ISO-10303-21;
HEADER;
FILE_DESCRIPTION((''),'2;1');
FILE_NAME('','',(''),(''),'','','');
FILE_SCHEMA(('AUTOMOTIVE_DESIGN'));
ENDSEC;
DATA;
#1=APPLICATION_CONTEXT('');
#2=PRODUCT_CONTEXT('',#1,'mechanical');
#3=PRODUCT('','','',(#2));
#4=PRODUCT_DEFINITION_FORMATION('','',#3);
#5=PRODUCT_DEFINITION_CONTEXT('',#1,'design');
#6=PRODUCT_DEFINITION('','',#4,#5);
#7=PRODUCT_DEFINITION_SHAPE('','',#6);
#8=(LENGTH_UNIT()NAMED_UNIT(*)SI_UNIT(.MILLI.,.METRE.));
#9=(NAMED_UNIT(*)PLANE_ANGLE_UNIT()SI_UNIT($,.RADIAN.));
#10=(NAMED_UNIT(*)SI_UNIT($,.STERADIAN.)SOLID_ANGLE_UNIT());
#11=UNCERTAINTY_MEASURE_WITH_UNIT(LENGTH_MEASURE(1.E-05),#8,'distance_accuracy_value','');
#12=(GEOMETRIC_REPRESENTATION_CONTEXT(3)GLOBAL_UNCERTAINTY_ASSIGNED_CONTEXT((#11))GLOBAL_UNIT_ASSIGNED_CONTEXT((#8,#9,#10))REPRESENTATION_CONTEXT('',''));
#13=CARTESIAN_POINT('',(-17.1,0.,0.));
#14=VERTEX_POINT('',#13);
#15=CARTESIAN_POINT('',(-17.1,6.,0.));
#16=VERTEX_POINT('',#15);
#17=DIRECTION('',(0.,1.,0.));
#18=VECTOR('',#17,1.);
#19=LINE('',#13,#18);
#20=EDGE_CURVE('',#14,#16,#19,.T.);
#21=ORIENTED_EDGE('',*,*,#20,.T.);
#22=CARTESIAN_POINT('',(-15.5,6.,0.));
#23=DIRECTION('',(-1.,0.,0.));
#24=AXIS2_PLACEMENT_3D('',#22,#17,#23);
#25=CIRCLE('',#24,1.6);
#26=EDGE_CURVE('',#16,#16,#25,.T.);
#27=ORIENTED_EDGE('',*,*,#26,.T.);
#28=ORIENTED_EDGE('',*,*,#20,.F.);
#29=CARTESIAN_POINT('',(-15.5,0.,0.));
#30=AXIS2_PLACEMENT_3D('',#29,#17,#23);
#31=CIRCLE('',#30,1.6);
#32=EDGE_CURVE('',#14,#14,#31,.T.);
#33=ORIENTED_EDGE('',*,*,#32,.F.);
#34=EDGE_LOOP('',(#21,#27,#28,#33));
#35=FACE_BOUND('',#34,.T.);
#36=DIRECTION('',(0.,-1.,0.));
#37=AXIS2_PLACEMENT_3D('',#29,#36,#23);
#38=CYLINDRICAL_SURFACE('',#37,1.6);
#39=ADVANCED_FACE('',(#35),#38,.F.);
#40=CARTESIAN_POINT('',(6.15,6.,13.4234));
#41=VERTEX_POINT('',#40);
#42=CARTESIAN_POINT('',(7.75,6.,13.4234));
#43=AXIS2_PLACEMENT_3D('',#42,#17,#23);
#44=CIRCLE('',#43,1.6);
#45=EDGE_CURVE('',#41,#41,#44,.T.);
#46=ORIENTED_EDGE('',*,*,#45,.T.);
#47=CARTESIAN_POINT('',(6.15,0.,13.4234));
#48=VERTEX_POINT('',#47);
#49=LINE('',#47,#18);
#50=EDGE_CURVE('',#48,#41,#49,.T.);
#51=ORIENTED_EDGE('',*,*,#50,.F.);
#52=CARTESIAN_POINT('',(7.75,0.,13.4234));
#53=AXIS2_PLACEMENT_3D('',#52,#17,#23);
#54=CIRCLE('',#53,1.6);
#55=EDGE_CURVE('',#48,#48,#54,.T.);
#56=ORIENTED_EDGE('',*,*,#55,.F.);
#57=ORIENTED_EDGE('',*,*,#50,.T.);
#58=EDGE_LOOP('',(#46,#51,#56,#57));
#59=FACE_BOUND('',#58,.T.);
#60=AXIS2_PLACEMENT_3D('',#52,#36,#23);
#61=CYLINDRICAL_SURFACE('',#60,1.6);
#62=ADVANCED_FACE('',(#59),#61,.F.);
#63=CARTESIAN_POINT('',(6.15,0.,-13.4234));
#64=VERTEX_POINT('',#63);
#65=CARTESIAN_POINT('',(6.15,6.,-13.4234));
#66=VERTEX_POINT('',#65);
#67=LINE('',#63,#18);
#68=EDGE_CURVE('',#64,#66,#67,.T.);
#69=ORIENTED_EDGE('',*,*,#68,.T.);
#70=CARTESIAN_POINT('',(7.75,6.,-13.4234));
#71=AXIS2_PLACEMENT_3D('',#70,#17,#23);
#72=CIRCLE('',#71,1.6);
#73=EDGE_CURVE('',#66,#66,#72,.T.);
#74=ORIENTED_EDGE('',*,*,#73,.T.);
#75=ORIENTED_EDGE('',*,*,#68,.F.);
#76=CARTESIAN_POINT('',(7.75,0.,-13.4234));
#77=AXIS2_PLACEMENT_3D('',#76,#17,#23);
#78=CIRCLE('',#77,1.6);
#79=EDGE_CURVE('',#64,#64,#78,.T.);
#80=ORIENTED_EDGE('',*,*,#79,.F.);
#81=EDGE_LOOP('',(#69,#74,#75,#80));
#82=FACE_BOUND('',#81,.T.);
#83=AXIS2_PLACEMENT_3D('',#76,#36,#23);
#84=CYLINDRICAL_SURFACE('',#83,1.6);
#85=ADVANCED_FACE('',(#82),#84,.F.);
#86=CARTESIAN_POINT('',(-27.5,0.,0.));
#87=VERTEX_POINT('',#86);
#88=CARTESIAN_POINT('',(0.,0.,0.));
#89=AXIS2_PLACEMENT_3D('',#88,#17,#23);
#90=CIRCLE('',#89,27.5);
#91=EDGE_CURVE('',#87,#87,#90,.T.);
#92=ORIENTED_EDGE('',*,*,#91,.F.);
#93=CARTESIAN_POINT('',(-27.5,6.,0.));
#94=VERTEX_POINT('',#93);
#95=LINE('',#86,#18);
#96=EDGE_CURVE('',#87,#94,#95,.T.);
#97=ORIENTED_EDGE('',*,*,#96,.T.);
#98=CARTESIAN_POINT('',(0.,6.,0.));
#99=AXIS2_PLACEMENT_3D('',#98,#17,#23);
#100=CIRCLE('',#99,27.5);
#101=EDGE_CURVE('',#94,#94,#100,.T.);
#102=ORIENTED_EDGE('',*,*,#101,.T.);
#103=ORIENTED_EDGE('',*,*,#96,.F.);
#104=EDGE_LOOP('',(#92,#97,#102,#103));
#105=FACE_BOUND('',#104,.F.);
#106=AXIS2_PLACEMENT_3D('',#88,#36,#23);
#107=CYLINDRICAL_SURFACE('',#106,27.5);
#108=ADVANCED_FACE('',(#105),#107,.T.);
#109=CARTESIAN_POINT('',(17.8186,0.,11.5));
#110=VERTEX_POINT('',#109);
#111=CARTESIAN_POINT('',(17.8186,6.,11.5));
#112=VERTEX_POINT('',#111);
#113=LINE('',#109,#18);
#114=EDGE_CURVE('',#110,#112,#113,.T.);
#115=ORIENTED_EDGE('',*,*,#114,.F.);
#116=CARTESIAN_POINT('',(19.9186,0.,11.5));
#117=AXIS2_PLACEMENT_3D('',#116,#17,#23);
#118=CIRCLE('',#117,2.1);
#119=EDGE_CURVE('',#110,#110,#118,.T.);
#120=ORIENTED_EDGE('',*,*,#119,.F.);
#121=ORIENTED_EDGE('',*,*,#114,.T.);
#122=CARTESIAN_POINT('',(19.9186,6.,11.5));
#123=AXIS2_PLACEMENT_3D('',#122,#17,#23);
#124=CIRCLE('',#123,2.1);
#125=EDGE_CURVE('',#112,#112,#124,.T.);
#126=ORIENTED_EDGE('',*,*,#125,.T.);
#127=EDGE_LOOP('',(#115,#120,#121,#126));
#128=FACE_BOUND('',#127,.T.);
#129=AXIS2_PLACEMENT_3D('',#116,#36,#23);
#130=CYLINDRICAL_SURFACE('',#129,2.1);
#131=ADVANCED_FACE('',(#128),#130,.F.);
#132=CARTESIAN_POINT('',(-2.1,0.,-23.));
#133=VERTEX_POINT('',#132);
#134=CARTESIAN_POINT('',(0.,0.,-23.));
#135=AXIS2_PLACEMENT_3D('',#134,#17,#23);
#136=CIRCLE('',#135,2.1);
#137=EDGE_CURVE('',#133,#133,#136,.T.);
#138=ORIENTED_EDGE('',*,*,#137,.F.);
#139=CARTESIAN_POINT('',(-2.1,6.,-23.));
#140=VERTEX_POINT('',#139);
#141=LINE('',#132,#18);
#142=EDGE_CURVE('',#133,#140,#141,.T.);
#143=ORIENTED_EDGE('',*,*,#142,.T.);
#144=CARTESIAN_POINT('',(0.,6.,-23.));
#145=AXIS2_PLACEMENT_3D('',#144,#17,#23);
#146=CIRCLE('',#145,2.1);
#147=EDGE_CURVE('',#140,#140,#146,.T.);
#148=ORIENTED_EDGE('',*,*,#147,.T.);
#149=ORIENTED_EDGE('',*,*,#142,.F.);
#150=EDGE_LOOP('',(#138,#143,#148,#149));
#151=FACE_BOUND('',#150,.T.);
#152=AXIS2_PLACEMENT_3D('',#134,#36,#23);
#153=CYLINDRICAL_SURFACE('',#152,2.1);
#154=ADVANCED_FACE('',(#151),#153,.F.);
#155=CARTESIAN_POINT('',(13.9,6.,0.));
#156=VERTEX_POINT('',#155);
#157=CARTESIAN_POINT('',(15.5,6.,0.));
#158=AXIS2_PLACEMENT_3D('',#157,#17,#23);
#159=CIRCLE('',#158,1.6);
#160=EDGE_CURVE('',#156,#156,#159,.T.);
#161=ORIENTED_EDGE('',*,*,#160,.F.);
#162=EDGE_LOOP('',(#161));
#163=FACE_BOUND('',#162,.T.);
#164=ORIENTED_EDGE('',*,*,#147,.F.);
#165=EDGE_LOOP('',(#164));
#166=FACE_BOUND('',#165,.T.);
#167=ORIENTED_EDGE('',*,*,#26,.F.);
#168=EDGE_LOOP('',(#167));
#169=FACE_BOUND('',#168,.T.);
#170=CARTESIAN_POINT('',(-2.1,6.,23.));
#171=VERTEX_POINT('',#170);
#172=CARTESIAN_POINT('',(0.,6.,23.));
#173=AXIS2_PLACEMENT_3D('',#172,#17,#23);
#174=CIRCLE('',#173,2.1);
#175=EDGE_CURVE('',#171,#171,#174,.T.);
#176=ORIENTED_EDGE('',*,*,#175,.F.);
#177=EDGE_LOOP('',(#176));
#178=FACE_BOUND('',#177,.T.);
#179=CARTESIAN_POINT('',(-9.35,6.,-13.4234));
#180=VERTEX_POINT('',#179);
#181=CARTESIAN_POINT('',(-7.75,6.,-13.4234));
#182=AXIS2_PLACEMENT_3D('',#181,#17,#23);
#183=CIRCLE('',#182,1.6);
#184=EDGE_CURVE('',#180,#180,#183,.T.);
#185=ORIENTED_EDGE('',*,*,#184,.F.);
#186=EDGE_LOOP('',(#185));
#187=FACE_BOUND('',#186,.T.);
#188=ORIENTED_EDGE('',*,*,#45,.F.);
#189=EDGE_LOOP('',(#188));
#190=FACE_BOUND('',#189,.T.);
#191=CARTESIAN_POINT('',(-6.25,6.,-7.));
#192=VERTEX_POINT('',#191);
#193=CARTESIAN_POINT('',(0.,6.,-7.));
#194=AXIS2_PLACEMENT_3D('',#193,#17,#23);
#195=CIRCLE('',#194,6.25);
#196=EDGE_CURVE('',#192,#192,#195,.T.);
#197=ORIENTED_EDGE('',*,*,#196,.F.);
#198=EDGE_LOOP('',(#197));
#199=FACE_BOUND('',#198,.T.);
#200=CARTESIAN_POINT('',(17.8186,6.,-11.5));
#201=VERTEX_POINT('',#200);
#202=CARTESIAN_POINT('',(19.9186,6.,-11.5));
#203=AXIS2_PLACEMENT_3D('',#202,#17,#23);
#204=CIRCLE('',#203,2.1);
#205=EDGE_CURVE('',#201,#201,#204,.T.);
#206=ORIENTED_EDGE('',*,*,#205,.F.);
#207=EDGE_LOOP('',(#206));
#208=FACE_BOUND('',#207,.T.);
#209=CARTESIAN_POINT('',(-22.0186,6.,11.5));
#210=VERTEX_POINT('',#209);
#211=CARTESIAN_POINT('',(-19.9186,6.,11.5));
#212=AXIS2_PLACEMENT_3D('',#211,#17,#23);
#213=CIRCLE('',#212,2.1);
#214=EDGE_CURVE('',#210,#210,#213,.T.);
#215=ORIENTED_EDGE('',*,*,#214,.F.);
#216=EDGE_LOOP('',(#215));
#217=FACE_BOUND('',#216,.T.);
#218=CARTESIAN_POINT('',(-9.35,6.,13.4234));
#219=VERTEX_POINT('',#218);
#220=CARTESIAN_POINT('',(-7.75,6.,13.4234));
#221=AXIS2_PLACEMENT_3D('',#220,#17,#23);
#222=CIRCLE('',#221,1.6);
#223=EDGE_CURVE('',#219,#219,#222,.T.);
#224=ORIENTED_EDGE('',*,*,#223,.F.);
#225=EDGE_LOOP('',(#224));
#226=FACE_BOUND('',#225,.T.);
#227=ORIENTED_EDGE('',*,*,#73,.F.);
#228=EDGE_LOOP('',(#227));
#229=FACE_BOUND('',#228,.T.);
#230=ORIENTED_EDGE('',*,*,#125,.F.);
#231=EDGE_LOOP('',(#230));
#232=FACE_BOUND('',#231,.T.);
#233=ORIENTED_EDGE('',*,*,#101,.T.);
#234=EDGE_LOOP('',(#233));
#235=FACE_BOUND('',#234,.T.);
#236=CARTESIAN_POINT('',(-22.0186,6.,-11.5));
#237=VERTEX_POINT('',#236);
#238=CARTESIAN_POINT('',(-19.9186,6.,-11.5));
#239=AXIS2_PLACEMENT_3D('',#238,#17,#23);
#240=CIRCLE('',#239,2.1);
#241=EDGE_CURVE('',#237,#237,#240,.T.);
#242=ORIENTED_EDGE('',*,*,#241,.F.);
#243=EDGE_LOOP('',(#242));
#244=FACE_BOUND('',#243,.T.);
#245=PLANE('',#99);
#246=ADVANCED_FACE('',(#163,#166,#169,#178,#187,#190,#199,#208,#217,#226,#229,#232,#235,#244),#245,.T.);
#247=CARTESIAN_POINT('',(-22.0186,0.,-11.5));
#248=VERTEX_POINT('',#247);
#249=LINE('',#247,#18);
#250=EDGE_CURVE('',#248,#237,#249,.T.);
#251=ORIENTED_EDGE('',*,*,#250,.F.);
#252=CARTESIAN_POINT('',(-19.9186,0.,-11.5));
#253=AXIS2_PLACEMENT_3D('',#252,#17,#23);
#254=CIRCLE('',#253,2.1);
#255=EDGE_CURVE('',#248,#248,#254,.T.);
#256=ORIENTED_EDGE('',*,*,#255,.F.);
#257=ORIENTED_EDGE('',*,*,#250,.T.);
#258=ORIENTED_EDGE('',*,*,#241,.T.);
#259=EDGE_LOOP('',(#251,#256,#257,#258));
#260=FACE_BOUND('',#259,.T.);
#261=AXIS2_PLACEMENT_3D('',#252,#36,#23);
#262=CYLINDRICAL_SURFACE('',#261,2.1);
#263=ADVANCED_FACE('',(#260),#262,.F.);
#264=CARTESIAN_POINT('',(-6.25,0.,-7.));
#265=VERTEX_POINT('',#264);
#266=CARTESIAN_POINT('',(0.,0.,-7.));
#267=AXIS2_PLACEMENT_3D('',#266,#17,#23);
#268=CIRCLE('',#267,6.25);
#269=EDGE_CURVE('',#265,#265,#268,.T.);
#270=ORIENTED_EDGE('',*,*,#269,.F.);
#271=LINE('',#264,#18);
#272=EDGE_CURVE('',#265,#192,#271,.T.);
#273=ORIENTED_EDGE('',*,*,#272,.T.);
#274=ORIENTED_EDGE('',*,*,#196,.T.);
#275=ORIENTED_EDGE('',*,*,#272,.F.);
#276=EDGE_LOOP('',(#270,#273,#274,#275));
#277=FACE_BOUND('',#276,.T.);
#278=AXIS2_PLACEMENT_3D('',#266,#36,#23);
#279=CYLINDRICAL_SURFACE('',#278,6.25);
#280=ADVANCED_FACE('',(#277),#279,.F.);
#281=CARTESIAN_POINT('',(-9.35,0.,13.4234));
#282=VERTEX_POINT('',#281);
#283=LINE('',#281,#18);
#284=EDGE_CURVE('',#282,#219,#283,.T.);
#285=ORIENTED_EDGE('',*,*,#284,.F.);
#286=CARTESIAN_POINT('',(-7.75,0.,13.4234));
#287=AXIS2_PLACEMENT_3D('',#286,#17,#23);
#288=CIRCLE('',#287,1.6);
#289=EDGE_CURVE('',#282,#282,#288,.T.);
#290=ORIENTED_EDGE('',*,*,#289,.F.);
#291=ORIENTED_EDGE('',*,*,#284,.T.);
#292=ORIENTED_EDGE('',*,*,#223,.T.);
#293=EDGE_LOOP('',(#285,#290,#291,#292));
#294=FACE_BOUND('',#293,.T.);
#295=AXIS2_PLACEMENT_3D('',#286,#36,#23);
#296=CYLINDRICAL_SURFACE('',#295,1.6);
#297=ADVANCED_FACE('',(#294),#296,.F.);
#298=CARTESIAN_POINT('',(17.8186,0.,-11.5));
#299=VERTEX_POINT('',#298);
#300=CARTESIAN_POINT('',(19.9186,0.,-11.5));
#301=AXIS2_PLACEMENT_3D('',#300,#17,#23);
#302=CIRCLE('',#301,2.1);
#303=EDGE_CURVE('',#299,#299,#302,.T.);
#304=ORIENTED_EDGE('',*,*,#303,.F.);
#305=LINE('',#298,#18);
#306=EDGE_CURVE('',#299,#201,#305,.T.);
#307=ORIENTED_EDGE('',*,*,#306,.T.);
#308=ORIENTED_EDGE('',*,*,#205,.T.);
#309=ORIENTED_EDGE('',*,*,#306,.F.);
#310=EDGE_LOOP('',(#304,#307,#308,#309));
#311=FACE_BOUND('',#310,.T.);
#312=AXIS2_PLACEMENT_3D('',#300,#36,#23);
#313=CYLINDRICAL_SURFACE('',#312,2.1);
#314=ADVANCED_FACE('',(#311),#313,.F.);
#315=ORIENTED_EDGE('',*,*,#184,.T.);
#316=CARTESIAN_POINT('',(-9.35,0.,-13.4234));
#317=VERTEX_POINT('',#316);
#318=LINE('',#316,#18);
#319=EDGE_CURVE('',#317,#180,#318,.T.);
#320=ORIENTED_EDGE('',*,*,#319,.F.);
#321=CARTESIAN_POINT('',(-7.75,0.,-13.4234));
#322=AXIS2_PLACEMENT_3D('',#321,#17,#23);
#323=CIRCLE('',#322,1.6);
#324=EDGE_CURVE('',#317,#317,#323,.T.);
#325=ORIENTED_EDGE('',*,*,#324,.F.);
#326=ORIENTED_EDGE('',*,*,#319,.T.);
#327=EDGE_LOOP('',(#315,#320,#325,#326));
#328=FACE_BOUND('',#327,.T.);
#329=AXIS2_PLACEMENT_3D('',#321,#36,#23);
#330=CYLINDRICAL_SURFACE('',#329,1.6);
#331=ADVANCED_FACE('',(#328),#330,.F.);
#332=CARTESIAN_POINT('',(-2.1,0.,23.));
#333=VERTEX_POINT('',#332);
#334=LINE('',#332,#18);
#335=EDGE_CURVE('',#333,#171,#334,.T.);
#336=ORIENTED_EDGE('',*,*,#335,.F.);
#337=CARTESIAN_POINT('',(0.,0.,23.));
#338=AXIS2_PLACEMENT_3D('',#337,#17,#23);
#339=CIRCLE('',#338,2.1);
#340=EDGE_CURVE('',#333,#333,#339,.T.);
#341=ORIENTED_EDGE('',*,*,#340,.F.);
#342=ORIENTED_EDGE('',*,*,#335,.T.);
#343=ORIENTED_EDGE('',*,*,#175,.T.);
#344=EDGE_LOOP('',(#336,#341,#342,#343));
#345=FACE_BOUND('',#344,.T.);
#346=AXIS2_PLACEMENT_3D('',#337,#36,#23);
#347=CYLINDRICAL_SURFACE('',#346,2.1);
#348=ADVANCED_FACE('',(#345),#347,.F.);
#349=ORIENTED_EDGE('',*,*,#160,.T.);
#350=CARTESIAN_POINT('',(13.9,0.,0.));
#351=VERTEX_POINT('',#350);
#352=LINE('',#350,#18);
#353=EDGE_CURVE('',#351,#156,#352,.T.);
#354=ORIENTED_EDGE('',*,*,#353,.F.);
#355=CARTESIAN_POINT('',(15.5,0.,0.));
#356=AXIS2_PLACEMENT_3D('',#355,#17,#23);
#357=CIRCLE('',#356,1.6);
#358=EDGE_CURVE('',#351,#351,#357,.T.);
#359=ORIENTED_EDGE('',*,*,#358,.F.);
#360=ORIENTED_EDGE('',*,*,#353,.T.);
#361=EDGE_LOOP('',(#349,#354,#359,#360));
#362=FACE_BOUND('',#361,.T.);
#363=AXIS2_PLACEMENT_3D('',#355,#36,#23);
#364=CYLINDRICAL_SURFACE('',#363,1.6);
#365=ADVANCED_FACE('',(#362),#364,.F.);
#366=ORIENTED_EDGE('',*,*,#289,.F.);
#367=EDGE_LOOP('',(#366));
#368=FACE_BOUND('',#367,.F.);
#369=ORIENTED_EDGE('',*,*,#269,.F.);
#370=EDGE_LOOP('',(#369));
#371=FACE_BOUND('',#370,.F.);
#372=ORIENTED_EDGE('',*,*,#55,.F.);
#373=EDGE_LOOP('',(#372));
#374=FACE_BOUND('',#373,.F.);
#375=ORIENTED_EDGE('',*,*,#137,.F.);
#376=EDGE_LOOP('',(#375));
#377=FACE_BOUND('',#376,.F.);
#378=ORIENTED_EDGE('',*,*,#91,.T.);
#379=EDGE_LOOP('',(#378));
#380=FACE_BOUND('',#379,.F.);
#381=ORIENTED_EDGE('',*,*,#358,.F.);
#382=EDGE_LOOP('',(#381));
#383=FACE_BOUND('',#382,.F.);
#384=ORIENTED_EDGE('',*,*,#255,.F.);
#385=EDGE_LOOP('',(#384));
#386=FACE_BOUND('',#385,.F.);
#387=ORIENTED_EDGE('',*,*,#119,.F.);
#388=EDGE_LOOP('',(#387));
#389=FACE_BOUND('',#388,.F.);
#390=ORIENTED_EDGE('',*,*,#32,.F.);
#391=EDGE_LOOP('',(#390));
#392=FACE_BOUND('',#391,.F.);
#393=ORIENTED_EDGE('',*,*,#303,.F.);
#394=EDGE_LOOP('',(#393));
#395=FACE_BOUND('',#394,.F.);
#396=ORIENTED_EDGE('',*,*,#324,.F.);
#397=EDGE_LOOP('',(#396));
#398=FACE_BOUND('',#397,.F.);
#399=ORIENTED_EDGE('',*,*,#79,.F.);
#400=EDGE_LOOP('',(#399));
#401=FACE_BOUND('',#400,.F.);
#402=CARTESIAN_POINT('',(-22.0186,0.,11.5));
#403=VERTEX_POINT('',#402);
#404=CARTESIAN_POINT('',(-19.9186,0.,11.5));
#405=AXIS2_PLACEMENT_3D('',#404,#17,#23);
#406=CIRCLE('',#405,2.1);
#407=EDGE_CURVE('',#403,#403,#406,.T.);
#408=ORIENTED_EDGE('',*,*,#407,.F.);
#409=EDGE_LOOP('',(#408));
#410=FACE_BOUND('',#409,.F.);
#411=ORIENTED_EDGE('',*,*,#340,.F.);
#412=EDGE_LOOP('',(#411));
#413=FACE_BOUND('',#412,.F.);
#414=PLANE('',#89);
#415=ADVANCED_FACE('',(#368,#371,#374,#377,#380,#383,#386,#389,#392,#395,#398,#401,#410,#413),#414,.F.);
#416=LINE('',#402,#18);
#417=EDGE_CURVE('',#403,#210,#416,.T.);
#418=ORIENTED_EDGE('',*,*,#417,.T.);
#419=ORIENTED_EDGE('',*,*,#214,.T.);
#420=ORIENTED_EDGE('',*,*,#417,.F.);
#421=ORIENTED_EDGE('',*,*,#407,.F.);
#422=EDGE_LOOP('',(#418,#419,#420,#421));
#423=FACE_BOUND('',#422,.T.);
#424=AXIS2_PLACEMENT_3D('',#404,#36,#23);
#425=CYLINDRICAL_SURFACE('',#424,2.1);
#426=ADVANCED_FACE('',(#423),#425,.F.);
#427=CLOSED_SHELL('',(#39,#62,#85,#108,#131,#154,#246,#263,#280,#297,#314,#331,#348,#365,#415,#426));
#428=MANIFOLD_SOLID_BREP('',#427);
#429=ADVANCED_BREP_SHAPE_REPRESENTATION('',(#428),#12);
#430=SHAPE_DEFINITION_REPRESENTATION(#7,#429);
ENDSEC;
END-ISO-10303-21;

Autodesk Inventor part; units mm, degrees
ref_plane "YZ Plane" through (0, 0, 0) normal (1, 0, 0) x (0, 1, 0)
ref_plane "XZ Plane" through (0, 0, 0) normal (0, 1, 0) x (-1, 0, 0)
ref_plane "XY Plane" through (0, 0, 0) normal (0, 0, 1) x (1, 0, 0)
sketch "Sketch1" plane through (0, 0, 0) normal (0, 1, 0) x (-1, 0, 0)
  circle A0 centre (0, 0) radius 27.5
  circle A1 centre (0, -7) radius 6.25
  circle A2 centre (15.5, 0) radius 1.6
  circle A3 centre (7.75, 13.4234) radius 1.6
  circle A4 centre (-7.75, 13.4234) radius 1.6
  circle A5 centre (-15.5, 0) radius 1.6
  circle A6 centre (-7.75, -13.4234) radius 1.6
  circle A7 centre (7.75, -13.4234) radius 1.6
  circle A8 centre (0, 23) radius 2.1
  circle A9 centre (-19.9186, 11.5) radius 2.1
  circle A10 centre (-19.9186, -11.5) radius 2.1
  circle A11 centre (0, -23) radius 2.1
  circle A12 centre (19.9186, -11.5) radius 2.1
  circle A13 centre (19.9186, 11.5) radius 2.1
  dimension "d0" = 55
  dimension "d1" = 12.5
  dimension "d2" = 7
  dimension "d3" = 3.2
  dimension "d4" = 15.5
  dimension "d7" = 360
  dimension "d9" = 4.2
  dimension "d10" = 23
  dimension "d13" = 360
extrude "Extrusion1" add sketch "Sketch1" along normal blind 6
properties part number "motor_mounting_plate"
